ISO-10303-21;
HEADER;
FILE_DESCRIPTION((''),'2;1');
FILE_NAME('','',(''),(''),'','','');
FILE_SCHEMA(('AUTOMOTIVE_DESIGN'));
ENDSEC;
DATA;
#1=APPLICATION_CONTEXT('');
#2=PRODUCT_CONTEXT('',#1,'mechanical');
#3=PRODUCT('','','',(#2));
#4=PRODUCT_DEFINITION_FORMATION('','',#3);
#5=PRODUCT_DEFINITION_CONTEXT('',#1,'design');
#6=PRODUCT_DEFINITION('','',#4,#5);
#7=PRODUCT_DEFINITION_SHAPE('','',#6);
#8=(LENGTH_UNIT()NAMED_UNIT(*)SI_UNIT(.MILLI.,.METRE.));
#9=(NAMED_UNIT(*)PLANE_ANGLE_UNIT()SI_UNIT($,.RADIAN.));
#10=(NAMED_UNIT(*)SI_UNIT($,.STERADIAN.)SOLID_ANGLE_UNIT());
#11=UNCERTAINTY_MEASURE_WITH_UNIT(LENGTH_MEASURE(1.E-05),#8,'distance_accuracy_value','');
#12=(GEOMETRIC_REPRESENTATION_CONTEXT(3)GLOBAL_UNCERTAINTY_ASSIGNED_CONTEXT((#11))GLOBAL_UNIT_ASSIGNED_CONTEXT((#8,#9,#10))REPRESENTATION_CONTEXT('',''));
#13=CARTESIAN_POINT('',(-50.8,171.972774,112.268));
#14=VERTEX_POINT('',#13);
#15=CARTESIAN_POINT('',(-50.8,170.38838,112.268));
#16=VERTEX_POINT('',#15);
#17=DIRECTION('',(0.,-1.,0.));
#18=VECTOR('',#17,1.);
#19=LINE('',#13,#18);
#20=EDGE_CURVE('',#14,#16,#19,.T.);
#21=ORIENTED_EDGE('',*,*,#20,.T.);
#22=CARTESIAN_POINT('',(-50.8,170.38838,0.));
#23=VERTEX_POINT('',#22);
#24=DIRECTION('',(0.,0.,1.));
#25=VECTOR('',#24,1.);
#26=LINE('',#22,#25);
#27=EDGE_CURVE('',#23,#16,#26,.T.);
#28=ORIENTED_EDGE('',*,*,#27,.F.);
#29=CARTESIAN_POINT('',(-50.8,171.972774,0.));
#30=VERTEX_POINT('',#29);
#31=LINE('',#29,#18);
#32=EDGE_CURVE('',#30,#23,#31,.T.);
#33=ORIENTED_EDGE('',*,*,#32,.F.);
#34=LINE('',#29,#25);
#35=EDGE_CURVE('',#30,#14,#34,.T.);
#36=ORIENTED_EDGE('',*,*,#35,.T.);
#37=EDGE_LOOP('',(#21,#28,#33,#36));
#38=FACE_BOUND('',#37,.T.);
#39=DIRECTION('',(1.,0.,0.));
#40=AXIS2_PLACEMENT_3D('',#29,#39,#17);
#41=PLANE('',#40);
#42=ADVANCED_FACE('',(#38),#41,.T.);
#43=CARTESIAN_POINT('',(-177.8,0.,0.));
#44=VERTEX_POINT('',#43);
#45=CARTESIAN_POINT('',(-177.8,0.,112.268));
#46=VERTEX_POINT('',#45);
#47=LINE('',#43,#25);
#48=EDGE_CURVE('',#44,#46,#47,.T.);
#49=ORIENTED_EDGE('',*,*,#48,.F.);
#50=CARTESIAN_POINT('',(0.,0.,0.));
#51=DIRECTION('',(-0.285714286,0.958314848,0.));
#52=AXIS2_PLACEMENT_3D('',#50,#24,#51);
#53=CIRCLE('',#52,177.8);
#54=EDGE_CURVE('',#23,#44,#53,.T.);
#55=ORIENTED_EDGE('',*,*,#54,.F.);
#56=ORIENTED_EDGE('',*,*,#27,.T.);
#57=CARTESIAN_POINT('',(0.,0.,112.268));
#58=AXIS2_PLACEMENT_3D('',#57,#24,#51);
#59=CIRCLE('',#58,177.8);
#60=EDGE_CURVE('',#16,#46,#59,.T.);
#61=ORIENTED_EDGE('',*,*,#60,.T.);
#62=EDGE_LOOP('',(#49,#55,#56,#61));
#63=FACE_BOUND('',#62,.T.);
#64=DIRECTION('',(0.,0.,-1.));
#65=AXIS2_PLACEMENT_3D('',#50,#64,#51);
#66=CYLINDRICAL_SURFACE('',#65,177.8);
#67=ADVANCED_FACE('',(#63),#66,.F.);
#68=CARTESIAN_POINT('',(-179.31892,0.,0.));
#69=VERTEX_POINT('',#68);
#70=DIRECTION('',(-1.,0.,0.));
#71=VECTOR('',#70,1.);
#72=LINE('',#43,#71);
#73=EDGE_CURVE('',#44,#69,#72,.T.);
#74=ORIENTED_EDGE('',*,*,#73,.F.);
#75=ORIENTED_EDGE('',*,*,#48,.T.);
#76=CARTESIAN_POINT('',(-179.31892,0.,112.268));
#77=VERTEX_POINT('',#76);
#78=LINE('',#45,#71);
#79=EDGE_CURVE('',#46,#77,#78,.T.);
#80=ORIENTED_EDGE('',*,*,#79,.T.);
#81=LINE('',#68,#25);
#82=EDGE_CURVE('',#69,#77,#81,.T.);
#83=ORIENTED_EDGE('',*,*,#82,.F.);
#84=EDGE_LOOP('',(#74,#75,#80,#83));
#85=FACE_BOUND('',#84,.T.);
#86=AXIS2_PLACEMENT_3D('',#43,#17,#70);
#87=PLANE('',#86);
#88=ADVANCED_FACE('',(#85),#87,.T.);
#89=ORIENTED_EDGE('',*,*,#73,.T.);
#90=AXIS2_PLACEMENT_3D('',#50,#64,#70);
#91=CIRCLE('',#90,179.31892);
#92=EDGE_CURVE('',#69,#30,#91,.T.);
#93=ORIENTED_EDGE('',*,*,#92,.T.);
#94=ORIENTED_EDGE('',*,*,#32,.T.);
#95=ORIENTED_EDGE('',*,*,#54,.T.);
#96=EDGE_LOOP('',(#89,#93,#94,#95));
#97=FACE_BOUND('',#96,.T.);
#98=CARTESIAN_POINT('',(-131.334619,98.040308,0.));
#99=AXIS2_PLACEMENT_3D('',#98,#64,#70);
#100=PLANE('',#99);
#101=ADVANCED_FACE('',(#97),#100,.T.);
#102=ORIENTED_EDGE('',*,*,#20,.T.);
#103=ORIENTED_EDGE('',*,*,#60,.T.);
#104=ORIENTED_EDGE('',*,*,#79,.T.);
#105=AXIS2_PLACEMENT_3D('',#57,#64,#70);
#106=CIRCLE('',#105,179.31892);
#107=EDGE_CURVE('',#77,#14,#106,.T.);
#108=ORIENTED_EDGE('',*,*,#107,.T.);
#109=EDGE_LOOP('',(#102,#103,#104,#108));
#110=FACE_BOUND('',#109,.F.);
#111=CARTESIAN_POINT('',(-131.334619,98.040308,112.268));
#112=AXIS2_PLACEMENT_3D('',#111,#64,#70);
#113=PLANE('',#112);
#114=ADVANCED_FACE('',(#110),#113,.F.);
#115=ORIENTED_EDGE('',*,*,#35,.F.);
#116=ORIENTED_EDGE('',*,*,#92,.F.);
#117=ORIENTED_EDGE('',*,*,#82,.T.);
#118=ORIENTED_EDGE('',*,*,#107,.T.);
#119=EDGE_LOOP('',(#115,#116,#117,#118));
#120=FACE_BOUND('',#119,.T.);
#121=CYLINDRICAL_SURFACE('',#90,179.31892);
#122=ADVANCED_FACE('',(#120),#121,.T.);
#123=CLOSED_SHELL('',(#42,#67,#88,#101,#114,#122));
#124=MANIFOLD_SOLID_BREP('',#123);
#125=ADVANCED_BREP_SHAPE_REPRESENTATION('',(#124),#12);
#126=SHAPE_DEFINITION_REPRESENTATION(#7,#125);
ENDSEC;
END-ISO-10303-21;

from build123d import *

# Parameters (mm, degrees)
INNER_RING_LEFT_SIDE_DEPTH = 112.268


with BuildPart() as part:
    # Sketch1 → Inner Ring - Left Side (new body)
    with BuildSketch(Plane.XY):
        with BuildLine():
            Line((-50.8, 171.972774211), (-50.8, 170.388379885))
            ThreePointArc((-50.8, 170.388379885), (-142.557146436, 106.25582337), (-177.8, 0))
            Line((-177.8, 0), (-179.31892, 0))
            ThreePointArc((-179.31892, 0), (-143.639611887, 107.344943835), (-50.8, 171.972774211))
        make_face()
    extrude(amount=INNER_RING_LEFT_SIDE_DEPTH)


solid = part.part
